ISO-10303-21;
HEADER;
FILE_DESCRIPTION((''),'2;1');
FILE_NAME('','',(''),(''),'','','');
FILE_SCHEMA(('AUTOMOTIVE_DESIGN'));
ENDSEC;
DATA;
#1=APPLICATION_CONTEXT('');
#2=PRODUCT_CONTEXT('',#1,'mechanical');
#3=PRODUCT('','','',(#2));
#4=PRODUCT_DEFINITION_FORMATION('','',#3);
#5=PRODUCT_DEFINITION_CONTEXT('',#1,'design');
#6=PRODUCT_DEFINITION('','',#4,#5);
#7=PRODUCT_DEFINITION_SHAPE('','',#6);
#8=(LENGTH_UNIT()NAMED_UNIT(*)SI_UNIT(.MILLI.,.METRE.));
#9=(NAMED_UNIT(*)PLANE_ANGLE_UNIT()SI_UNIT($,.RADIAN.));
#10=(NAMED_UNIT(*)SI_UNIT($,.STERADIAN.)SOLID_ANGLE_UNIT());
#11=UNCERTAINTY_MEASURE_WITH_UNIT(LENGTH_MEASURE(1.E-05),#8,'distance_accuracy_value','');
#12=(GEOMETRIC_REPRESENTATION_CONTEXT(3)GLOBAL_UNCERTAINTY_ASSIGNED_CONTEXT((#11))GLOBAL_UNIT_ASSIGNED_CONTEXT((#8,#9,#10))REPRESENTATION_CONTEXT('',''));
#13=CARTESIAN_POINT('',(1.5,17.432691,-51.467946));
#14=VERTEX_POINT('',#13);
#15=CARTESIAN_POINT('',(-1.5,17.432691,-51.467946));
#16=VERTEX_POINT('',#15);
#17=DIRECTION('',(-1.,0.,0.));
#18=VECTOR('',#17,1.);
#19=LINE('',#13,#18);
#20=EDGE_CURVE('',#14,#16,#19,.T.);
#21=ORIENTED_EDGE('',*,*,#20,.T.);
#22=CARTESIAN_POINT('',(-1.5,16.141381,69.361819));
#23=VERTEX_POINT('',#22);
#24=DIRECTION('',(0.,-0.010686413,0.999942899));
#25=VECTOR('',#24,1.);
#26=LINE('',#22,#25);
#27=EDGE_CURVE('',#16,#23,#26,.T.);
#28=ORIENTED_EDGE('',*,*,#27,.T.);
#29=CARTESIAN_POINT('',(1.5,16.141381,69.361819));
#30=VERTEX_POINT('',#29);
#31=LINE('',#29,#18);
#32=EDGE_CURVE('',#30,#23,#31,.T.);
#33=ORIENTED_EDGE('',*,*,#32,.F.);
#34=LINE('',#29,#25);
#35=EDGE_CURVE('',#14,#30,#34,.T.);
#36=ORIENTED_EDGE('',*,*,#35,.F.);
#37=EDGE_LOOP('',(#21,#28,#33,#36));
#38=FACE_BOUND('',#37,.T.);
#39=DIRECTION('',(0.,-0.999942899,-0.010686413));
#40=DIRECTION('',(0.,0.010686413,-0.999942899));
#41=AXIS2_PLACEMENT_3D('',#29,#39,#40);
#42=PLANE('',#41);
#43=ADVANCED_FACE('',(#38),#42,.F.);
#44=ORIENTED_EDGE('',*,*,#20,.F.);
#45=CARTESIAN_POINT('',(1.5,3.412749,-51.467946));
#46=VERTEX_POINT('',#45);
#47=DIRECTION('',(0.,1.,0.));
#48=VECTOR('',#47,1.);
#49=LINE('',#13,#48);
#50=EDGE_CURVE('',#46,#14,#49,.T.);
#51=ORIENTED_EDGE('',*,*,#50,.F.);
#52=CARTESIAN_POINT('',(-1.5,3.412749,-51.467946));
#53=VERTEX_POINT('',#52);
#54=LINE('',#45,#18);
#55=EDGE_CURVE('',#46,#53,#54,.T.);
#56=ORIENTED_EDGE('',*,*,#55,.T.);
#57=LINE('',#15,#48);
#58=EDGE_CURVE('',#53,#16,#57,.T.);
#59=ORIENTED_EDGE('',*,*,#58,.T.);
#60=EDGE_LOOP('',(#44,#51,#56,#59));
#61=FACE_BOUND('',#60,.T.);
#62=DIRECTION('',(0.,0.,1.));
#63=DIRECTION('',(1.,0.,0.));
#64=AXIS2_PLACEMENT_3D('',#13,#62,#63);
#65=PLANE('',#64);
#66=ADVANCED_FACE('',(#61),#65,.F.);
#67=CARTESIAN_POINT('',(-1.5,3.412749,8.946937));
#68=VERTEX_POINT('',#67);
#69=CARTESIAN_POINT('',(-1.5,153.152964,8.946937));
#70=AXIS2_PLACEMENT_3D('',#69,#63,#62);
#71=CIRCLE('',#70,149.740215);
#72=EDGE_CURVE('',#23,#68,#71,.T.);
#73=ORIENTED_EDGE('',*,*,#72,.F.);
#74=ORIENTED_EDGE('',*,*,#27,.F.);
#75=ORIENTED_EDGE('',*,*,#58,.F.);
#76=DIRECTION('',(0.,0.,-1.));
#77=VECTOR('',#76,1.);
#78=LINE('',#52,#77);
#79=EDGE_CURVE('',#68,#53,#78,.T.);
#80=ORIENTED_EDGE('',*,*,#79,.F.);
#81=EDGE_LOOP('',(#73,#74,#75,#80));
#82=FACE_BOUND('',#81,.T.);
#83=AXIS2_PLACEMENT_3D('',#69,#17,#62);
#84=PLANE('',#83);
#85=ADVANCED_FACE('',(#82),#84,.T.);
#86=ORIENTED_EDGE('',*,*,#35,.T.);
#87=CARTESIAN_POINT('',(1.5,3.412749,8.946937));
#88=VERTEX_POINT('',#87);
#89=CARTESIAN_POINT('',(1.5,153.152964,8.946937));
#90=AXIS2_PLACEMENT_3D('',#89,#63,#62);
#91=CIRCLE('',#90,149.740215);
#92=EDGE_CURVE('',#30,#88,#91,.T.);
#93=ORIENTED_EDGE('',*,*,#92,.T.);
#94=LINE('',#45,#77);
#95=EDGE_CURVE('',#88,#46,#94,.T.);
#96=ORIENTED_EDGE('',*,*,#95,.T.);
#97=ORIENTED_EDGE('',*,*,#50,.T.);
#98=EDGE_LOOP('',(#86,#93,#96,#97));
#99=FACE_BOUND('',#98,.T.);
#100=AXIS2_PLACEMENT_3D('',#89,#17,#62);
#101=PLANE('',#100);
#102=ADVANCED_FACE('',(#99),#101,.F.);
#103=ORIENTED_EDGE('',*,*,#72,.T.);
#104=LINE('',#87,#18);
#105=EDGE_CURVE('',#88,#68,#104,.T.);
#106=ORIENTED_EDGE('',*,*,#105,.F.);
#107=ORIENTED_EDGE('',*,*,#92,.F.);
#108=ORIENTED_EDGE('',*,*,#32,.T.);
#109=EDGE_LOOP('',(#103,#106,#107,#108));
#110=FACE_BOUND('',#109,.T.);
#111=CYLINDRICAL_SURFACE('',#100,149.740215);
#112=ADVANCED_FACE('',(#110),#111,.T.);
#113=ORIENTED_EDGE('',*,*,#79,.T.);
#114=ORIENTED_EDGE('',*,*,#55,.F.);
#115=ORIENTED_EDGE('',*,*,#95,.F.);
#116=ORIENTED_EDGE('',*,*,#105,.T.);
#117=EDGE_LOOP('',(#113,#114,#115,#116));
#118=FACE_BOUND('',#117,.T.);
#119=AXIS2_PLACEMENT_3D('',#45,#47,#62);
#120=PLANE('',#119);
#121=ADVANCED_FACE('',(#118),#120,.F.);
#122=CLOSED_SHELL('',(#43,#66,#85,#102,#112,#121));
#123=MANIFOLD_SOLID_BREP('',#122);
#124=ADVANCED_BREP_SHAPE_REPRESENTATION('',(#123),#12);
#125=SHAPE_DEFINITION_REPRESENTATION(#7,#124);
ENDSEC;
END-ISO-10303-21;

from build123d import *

# Parameters (mm, degrees)
BOSS_EXTRUDE1_DEPTH = 1.5


with BuildPart() as part:
    # Sketch1 → Boss-Extrude1 (new, symmetric)
    with BuildSketch(Plane(origin=(0, 0, 0), x_dir=(0, 0, -1), z_dir=(1, 0, 0))):
        with BuildLine():
            Line((-69.36181931, 16.141380823), (51.467945711, 17.432691289))
            Line((51.467945711, 17.432691289), (51.467945711, 3.412749088))
            Line((51.467945711, 3.412749088), (-8.946936799, 3.412749088))
            ThreePointArc((-8.946936799, 3.412749088), (-39.817538083, 6.629457572), (-69.36181931, 16.141380823))
        make_face()
    extrude(amount=BOSS_EXTRUDE1_DEPTH, both=True)


solid = part.part
